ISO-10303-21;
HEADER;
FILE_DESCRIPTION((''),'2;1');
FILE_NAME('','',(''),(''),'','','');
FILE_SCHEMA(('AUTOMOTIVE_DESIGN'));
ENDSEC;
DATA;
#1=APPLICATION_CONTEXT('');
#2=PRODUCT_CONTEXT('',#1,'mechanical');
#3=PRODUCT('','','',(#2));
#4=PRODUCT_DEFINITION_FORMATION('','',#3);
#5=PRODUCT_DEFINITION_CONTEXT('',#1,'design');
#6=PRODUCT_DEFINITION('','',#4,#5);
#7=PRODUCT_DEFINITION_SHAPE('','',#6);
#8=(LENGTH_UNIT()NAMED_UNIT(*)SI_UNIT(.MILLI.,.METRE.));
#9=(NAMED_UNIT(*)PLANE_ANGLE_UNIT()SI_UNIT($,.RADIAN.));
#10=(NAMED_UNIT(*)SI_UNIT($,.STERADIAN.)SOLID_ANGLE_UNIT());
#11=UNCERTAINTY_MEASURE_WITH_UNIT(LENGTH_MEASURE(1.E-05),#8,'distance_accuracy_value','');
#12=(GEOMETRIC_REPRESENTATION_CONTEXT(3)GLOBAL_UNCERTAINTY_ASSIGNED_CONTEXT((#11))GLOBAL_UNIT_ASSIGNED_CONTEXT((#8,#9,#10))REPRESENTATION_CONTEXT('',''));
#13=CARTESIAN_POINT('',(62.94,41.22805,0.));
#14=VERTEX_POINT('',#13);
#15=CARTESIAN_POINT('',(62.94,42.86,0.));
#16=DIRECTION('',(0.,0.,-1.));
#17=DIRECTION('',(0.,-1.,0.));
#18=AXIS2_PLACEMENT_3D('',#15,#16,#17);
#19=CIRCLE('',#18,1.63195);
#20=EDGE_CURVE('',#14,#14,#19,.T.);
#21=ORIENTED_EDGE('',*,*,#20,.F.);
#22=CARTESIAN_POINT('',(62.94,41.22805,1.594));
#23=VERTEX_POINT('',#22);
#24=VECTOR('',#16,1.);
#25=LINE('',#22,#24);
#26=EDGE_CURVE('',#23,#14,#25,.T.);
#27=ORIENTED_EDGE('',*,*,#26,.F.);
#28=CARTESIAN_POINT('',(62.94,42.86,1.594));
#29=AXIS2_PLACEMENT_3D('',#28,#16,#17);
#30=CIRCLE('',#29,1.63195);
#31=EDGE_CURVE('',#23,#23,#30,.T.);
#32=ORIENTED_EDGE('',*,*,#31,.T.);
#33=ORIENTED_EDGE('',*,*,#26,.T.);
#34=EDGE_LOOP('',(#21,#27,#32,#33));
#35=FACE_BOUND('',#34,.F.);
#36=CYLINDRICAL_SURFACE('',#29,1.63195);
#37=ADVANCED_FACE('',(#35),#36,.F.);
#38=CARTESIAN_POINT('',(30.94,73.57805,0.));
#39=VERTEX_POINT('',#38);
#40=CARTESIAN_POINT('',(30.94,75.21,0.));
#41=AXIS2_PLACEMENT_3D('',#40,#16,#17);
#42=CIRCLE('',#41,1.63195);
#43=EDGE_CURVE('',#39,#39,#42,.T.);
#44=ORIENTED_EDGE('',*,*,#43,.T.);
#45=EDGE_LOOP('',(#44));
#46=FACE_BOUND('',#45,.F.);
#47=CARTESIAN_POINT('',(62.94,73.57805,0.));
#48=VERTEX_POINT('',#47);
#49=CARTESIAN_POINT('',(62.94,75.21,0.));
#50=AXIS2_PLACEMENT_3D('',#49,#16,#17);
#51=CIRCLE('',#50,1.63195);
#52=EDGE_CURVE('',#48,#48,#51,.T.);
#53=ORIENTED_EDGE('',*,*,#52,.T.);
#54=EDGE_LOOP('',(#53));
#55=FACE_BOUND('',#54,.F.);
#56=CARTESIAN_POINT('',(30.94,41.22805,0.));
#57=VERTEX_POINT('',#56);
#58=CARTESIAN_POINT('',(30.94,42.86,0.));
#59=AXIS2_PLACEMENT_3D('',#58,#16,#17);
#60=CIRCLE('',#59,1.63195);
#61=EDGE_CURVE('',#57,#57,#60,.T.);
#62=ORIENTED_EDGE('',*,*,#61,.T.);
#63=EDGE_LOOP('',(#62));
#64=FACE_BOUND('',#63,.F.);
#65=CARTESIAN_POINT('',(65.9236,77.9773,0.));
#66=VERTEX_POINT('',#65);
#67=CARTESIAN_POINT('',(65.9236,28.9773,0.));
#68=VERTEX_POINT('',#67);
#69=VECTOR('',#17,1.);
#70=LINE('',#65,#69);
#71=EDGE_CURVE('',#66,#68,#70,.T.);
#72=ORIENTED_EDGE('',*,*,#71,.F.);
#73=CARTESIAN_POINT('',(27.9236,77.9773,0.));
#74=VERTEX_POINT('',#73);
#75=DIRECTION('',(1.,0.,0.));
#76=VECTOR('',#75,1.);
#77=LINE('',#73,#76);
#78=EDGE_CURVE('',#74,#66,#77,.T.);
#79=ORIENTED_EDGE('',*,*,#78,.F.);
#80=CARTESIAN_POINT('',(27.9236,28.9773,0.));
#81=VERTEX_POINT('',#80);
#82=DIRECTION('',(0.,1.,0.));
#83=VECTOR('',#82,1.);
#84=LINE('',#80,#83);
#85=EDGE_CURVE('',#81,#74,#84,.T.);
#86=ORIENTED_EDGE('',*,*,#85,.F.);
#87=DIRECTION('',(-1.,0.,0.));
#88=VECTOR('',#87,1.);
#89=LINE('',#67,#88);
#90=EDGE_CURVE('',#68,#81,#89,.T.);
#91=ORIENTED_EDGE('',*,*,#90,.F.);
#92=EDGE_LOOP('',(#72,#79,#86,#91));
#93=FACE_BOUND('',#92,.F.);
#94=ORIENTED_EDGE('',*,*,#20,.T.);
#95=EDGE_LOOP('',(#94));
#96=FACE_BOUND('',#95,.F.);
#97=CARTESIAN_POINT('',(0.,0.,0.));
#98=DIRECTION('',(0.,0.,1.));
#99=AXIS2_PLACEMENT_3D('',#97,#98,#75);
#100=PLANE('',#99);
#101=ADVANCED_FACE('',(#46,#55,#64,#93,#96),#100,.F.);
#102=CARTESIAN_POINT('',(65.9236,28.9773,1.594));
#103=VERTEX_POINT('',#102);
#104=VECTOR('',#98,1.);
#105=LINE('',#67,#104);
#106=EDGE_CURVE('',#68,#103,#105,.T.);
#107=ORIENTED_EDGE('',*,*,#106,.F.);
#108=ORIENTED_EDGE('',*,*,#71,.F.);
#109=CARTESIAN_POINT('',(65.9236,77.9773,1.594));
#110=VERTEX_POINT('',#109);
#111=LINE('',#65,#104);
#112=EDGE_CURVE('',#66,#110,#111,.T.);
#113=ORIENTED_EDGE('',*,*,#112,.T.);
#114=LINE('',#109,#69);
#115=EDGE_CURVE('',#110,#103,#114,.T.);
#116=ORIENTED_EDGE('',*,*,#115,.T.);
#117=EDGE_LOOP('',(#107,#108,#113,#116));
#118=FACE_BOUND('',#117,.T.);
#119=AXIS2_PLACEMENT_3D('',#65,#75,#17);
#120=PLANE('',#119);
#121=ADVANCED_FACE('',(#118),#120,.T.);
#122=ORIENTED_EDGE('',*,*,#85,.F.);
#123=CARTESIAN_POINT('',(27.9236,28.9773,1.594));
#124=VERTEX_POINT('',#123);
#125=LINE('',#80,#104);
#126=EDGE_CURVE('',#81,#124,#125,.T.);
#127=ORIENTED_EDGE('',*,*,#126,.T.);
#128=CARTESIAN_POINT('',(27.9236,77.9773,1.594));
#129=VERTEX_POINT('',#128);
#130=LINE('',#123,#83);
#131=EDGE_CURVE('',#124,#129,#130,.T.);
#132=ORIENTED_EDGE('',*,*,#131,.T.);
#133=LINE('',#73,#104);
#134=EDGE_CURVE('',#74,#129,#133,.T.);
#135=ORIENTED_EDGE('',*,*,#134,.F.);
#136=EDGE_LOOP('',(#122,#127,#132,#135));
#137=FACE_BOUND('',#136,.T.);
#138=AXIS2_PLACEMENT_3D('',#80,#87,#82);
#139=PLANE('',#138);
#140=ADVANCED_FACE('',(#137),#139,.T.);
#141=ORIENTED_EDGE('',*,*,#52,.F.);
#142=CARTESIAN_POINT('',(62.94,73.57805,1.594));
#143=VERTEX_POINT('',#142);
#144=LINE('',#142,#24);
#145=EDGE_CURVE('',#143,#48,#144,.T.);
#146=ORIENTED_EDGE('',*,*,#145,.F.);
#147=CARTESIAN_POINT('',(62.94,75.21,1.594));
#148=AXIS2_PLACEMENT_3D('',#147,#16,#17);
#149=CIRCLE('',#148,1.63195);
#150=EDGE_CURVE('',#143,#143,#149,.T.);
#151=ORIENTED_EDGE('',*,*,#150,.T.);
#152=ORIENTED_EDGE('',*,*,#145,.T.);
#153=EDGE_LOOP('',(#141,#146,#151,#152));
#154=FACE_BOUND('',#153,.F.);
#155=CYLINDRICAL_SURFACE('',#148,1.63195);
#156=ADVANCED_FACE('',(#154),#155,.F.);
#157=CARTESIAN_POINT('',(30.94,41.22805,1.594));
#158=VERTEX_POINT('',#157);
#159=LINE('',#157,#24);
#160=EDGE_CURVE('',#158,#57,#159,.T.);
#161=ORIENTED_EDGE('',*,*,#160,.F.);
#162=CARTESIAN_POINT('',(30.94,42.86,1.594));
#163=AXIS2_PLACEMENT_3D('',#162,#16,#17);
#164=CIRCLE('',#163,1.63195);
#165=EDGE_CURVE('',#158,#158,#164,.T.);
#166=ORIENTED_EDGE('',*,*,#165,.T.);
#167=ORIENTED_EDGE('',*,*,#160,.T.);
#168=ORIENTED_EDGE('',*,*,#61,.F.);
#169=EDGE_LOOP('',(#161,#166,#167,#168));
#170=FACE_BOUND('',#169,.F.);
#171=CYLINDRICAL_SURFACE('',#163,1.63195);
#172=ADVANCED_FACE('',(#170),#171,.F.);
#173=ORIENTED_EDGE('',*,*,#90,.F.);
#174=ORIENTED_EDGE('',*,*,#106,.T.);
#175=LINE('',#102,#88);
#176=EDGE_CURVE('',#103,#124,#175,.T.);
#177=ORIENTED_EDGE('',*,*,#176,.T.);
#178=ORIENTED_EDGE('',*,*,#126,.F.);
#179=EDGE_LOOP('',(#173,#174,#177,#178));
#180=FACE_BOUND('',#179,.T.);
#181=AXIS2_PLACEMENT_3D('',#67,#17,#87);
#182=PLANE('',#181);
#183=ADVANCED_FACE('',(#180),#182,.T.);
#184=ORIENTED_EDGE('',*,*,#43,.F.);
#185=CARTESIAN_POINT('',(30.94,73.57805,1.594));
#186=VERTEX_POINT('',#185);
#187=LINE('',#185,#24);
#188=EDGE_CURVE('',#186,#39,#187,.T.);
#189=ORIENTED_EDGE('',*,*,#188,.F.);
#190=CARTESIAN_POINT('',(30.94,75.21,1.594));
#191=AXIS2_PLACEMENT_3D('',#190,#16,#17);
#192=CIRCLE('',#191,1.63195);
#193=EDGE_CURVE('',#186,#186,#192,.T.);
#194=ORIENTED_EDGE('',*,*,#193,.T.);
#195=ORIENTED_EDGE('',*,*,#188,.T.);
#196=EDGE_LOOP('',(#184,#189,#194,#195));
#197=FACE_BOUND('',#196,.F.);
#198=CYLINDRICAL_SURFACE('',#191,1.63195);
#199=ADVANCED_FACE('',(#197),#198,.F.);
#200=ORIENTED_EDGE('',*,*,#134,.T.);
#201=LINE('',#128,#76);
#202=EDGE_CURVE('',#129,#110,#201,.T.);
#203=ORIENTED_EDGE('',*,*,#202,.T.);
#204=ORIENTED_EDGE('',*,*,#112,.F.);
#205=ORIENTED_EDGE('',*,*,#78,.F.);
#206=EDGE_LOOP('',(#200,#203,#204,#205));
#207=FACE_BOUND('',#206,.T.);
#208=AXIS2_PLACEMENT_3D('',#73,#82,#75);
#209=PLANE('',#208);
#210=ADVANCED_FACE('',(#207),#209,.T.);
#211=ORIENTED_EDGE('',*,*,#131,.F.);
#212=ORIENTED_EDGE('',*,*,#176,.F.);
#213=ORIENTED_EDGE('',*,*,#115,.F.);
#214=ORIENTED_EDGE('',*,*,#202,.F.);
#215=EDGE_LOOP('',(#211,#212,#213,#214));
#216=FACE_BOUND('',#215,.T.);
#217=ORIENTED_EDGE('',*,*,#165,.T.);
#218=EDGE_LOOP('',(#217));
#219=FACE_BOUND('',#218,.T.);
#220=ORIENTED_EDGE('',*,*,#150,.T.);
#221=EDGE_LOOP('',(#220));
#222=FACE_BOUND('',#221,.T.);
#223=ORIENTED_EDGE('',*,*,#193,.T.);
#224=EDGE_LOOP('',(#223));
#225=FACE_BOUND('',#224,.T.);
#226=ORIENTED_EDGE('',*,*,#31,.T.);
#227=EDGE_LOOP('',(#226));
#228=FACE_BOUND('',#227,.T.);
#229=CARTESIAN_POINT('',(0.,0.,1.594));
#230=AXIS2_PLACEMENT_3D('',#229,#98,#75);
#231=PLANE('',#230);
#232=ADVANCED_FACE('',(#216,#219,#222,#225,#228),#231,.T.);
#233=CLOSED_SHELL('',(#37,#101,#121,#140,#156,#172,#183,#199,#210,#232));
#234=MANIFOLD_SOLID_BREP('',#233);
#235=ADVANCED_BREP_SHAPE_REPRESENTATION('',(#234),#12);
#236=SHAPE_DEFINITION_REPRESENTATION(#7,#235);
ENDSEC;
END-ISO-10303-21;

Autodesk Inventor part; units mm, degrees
ref_plane "YZ Plane" through (0, 0, 0) normal (1, 0, 0) x (0, 1, 0)
ref_plane "XZ Plane" through (0, 0, 0) normal (0, 1, 0) x (-1, 0, 0)
ref_plane "BoardFrontPlane" through (0, 0, 0) normal (0, 0, 1) x (1, 0, 0)
sketch "Sketch1" plane through (0, 0, 0) normal (0, 0, 1) x (1, 0, 0)
  line L0 (27.9236, 28.9773) -> (27.9236, 77.9773)
  line L1 (27.9236, 77.9773) -> (65.9236, 77.9773)
  line L2 (65.9236, 77.9773) -> (65.9236, 28.9773)
  line L3 (65.9236, 28.9773) -> (27.9236, 28.9773)
extrude "BoardOutline" add sketch "Sketch1" along normal blind 1.594
sketch "img_Top" plane through (0, 0, 1.594) normal (0, 0, 1) x (1, 0, 0)
  line L0 (27.9236, 77.9773) -> (65.9246, 77.9773) construction
  line L1 (65.9246, 77.9773) -> (65.9246, 28.9773) construction
  line L2 (65.9246, 28.9773) -> (27.9236, 28.9773) construction
  line L3 (27.9236, 28.9773) -> (27.9236, 77.9773) construction
decal "Decal_Top"
sketch "img_Bottom" plane through (0, 0, -1.594) normal (0, 0, -1) x (1, 0, 0)
  line L0 (27.9236, -28.9773) -> (65.9246, -28.9773) construction
  line L1 (65.9246, -28.9773) -> (65.9246, -77.9773) construction
  line L2 (65.9246, -77.9773) -> (27.9236, -77.9773) construction
  line L3 (27.9236, -77.9773) -> (27.9236, -28.9773) construction
decal "Decal_Bottom"
sketch "Sketch4" plane through (0, 0, 1.594) normal (0, 0, 1) x (1, 0, 0)
  point P0 (62.94, 42.86)
hole "Free-18" at (62.94, 42.86, 1.594) direction (0, 0, -1) diameter 3.2639 end through all
sketch "Sketch5" plane through (0, 0, 1.594) normal (0, 0, 1) x (1, 0, 0)
  point P0 (30.94, 42.86)
hole "Free-19" at (30.94, 42.86, 1.594) direction (0, 0, -1) diameter 3.2639 end through all
sketch "Sketch6" plane through (0, 0, 1.594) normal (0, 0, 1) x (1, 0, 0)
  point P0 (62.94, 75.21)
hole "Free-17" at (62.94, 75.21, 1.594) direction (0, 0, -1) diameter 3.2639 end through all
sketch "Sketch7" plane through (0, 0, 1.594) normal (0, 0, 1) x (1, 0, 0)
  point P0 (30.94, 75.21)
hole "Free-16" at (30.94, 75.21, 1.594) direction (0, 0, -1) diameter 3.2639 end through all
properties part number "nanobox_v31_upgrade_BOARD"
